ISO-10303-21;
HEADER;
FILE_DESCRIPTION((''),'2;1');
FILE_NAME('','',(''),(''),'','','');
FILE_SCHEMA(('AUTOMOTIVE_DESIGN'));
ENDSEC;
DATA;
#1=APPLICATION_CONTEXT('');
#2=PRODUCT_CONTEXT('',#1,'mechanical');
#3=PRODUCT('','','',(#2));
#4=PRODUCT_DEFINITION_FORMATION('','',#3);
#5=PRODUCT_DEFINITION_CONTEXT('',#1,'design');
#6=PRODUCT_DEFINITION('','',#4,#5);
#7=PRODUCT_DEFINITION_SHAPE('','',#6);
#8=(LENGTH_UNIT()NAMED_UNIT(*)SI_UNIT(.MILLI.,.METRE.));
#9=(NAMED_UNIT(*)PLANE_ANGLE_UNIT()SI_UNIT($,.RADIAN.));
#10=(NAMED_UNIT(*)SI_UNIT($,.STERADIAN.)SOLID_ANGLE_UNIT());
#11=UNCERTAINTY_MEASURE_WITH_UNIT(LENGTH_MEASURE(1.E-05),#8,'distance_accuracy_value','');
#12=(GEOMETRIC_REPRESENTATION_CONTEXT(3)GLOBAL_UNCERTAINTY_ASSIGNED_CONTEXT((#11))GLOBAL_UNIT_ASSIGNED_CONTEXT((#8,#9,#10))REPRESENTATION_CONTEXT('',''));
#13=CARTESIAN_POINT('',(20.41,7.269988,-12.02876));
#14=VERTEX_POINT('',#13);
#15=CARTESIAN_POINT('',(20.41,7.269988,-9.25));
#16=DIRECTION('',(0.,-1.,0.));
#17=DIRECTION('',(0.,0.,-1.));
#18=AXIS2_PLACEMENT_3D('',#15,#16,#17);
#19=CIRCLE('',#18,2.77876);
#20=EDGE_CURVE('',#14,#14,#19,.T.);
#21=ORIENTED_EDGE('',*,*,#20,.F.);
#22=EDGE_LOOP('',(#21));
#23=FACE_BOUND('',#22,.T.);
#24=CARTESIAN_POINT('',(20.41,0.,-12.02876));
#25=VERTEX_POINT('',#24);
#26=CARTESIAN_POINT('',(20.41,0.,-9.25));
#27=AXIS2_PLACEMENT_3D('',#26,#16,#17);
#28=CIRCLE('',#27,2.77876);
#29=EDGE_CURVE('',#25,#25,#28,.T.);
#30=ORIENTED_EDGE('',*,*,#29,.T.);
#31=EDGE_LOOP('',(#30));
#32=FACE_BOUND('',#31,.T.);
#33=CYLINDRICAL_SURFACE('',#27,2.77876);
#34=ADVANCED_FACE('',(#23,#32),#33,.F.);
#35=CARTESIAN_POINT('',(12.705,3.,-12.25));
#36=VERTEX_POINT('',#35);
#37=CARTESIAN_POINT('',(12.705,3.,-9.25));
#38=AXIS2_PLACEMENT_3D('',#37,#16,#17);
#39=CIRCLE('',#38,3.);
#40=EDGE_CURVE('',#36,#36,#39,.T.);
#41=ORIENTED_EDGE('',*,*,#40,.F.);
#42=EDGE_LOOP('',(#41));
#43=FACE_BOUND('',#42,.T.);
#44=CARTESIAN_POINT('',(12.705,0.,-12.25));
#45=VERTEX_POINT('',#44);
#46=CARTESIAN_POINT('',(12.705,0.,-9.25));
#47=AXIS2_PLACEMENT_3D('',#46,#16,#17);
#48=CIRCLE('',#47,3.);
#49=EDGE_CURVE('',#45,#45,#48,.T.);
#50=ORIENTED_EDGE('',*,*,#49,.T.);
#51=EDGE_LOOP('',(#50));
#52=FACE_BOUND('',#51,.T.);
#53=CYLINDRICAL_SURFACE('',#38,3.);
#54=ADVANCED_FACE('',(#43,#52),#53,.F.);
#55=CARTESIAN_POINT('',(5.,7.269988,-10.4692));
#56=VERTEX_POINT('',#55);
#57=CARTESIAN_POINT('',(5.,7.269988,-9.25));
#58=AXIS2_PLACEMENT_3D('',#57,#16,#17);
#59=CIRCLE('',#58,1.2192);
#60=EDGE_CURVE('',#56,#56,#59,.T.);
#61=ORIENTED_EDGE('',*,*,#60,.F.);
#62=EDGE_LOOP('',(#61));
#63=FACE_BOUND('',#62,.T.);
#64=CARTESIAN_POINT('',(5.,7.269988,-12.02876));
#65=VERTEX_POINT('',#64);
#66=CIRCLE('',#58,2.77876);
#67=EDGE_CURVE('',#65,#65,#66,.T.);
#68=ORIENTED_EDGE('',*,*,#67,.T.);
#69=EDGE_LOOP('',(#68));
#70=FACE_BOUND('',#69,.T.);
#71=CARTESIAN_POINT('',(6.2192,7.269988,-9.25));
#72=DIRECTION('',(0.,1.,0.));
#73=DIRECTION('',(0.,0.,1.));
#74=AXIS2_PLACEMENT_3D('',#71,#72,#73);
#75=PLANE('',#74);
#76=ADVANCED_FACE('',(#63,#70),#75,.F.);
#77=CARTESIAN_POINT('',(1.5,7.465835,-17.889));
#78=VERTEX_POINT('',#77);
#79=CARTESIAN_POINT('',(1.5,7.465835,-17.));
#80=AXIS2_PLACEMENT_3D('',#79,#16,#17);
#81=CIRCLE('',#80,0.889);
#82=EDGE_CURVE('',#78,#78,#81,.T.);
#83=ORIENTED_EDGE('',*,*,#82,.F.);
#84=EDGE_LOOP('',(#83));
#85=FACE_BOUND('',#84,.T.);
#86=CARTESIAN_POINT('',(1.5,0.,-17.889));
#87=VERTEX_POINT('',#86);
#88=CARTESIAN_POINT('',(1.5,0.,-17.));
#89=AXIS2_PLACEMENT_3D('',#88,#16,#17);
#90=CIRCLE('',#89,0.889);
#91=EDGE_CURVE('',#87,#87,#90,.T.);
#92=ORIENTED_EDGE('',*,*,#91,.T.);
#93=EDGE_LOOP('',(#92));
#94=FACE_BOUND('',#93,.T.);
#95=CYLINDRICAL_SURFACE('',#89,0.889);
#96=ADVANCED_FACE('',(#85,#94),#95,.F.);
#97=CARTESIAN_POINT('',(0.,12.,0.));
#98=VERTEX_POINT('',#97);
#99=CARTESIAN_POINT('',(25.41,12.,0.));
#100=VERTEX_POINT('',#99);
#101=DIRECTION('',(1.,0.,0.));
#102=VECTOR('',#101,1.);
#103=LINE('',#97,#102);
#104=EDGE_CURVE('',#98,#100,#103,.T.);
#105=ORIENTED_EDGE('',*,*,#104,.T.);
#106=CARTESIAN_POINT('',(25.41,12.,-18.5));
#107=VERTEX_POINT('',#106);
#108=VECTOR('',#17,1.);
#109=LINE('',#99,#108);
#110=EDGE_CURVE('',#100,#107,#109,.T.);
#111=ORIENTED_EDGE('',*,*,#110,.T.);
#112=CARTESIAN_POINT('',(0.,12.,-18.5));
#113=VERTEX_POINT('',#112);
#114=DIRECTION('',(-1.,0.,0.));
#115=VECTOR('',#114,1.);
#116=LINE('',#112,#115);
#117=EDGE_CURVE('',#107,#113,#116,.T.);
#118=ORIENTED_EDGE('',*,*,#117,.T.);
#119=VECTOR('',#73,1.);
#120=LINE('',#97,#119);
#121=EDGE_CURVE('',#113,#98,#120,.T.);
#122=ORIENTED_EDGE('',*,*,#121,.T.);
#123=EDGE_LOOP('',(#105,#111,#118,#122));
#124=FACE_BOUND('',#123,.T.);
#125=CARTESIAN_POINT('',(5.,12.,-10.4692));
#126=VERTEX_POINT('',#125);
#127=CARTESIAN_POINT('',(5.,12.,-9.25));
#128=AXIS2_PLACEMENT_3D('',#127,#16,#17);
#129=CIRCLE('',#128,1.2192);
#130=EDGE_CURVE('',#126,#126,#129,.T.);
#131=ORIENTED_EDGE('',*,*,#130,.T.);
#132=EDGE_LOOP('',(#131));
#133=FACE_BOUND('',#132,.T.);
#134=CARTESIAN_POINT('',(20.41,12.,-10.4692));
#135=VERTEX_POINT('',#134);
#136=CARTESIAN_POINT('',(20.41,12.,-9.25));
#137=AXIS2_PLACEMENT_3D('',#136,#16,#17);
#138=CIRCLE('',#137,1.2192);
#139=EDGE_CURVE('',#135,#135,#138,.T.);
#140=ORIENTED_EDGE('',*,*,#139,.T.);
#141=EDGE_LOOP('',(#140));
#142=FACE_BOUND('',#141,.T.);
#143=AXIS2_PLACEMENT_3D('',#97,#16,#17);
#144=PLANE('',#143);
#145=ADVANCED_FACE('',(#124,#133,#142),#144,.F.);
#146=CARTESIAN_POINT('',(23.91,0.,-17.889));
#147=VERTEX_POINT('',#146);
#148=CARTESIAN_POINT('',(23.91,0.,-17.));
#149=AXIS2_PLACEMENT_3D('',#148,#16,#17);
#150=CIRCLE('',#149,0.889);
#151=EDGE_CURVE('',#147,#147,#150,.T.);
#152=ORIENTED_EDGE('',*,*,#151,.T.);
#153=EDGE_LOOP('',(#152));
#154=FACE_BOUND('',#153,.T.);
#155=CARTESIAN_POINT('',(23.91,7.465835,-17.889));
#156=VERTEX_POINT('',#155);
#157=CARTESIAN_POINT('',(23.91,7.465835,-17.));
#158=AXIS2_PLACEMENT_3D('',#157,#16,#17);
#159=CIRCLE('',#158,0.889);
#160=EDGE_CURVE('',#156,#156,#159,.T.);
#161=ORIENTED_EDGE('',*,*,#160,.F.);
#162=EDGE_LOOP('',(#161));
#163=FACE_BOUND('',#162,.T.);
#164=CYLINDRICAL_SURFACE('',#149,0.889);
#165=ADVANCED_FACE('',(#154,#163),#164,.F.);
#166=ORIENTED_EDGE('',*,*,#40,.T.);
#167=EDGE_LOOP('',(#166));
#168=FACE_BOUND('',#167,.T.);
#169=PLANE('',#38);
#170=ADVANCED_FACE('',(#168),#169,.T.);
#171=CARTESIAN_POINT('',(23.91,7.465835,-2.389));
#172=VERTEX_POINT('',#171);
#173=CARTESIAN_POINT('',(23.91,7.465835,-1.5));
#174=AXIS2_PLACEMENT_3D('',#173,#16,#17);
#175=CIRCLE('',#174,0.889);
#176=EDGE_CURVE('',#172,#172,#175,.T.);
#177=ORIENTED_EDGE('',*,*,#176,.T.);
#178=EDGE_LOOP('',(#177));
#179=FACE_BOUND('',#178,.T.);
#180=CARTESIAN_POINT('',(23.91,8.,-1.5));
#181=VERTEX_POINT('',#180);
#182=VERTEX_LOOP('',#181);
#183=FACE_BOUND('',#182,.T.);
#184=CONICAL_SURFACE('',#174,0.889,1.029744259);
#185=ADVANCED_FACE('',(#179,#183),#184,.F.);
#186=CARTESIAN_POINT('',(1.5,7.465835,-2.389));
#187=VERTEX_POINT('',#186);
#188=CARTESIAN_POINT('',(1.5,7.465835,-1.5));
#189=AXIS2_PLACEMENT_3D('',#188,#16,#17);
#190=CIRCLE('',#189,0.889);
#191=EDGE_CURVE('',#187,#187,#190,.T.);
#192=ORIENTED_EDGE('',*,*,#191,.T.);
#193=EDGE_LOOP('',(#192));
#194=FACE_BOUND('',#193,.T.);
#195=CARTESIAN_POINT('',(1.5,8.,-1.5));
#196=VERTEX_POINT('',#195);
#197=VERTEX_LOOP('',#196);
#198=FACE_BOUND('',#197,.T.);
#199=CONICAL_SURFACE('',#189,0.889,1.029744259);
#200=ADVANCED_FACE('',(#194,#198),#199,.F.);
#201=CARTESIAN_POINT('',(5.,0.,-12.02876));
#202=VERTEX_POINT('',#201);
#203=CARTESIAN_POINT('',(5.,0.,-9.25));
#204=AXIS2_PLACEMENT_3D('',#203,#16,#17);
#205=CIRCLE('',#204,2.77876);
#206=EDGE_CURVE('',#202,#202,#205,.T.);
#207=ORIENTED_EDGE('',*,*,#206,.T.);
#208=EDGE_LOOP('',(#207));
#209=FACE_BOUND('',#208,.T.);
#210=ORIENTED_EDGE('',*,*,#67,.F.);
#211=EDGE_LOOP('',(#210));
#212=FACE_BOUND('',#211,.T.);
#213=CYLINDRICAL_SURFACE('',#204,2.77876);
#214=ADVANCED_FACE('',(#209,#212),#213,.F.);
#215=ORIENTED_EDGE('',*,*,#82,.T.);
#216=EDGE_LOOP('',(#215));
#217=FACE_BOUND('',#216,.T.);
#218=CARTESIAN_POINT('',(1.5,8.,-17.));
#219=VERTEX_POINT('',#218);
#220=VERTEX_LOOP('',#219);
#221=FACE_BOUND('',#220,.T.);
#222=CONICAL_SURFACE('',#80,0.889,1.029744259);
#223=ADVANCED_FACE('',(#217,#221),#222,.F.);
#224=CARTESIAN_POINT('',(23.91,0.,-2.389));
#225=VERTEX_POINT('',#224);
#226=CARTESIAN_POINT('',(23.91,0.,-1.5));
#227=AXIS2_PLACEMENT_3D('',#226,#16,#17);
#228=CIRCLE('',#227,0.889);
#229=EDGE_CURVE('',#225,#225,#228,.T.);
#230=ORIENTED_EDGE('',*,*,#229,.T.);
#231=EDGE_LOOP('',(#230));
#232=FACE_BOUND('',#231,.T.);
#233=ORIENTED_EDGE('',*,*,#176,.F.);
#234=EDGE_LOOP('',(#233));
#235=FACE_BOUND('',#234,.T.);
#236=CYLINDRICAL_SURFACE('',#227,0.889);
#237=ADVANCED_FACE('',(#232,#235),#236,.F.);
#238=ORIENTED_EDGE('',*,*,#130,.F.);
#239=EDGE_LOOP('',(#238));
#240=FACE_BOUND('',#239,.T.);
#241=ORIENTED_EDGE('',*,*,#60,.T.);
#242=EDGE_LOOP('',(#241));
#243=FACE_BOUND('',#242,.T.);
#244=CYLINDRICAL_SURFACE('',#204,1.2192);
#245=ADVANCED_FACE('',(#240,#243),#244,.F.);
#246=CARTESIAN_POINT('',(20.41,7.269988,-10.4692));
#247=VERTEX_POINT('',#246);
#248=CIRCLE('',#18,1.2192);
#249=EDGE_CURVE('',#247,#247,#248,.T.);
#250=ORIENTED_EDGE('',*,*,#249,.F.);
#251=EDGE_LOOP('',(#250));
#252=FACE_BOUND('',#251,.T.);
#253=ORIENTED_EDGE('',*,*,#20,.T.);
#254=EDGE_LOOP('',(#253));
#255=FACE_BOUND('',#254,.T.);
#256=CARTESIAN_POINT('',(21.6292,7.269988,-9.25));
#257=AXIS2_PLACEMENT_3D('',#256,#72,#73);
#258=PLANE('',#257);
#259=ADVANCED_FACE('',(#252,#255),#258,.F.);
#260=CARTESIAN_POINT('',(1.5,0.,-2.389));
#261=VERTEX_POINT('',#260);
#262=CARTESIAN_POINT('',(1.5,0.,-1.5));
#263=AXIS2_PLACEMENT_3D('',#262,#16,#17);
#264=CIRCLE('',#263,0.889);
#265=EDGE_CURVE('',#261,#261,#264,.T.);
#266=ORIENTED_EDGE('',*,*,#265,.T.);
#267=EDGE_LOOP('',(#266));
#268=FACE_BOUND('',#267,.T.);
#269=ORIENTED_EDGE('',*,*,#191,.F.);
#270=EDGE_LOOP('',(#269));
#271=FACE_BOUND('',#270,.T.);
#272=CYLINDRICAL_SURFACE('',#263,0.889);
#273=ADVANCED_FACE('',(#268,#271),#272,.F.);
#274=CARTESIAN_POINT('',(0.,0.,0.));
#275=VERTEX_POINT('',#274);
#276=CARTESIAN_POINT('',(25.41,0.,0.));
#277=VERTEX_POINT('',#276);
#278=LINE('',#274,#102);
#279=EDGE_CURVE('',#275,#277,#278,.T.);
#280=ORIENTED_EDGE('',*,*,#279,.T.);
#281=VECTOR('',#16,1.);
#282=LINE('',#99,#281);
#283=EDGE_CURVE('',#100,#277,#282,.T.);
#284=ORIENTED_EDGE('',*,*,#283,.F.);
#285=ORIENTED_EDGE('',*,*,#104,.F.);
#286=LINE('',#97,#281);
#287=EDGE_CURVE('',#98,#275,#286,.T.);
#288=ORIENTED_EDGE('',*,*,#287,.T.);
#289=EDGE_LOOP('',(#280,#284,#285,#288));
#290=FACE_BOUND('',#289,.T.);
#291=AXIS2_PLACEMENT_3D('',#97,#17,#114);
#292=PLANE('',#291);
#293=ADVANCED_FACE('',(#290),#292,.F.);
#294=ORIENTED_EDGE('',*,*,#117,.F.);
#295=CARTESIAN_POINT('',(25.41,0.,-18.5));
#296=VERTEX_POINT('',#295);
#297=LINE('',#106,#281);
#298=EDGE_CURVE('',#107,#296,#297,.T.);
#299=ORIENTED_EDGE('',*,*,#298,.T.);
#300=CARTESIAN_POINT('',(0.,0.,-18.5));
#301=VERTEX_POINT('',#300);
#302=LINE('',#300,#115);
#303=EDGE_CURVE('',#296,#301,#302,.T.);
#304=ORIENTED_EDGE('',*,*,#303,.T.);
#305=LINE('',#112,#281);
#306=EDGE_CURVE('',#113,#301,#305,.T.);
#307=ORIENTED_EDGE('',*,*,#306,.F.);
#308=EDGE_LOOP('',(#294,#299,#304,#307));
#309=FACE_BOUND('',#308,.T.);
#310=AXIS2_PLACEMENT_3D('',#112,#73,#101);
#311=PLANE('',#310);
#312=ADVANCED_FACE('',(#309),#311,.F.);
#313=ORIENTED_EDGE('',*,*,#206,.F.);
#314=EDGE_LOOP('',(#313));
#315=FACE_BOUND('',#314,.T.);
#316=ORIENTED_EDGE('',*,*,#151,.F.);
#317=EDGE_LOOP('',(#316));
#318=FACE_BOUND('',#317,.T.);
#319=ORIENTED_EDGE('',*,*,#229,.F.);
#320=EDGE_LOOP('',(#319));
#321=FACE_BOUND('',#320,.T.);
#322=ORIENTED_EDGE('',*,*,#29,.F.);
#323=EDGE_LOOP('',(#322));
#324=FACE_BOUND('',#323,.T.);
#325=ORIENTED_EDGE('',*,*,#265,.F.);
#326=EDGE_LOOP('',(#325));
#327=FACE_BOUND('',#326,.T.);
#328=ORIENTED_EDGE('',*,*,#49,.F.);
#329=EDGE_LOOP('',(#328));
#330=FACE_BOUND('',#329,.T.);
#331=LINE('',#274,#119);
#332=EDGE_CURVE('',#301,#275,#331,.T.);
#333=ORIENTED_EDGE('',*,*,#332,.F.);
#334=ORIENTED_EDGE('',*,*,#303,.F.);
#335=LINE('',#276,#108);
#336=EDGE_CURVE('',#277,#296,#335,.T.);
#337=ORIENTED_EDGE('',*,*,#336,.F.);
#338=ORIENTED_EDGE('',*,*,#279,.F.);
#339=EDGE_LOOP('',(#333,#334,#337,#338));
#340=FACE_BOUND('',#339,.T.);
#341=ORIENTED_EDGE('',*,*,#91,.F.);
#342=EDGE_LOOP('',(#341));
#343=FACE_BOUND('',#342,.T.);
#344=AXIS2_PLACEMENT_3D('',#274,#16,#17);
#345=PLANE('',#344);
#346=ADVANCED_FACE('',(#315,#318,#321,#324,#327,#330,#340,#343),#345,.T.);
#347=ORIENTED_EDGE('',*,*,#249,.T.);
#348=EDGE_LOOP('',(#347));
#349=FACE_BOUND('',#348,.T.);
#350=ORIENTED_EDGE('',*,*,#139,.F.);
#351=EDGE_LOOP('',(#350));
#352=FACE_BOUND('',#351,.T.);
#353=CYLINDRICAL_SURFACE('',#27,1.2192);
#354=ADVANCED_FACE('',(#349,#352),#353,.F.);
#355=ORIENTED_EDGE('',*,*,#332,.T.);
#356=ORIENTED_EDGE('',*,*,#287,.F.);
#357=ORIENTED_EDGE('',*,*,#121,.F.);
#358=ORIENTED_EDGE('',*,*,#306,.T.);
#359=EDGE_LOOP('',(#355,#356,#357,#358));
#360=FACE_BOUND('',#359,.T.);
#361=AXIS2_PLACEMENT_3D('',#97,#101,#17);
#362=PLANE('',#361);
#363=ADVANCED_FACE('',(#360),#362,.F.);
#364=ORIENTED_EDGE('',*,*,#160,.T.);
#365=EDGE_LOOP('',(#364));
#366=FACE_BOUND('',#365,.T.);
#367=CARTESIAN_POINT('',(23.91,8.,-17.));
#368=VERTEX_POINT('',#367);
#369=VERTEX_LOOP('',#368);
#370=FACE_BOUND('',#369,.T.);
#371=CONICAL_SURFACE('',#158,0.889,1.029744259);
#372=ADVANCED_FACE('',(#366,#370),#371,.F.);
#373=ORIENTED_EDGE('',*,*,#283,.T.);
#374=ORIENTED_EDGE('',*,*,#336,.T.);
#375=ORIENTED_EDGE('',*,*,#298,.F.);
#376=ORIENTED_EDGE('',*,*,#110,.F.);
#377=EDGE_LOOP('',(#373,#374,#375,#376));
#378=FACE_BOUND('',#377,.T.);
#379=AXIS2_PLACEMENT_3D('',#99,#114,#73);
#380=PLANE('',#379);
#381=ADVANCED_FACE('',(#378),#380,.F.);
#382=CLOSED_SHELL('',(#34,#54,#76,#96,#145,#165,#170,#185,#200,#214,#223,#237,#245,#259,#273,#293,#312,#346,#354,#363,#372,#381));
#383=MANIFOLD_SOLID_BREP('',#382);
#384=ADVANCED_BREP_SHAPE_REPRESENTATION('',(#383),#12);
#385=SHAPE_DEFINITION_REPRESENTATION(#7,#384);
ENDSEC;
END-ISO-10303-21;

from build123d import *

# Parameters (mm, degrees)
SKETCH1_W                                           = 25.41
SKETCH1_H                                           = 18.5
BOSS_EXTRUDE1_DEPTH                                 = 12
F_2_56_TAPPED_HOLE1_D                               = 1.778
F_2_56_TAPPED_HOLE1_DEPTH                           = 7.46583491
F_2_56_TAPPED_HOLE1_TIP                             = 0.53416509
SKETCH5_R                                           = 3
CUT_EXTRUDE1_DEPTH                                  = 3
CBORE_FOR_2_BINDING_HEAD_MACHINE_SCREW2_D           = 2.4384
CBORE_FOR_2_BINDING_HEAD_MACHINE_SCREW2_CBORE_D     = 5.55752
CBORE_FOR_2_BINDING_HEAD_MACHINE_SCREW2_CBORE_DEPTH = 7.269988


with BuildPart() as part:
    # Sketch1 → Boss-Extrude1 (new body)
    with BuildSketch(Plane(origin=(0, 0, 0), x_dir=(1, 0, 0), z_dir=(0, 1, 0))):
        with Locations((12.705, 9.25)):
            Rectangle(SKETCH1_W, SKETCH1_H)
    extrude(amount=BOSS_EXTRUDE1_DEPTH)

    # #2-56 Tapped Hole1
    with Locations(Plane(origin=(0, 0, 0), x_dir=(-1, 0, 0), z_dir=(0, -1, 0))):
        with Locations((-23.91, 17), (-23.91, 1.5), (-1.5, 1.5), (-1.5, 17)):
            Hole(F_2_56_TAPPED_HOLE1_D / 2, depth=F_2_56_TAPPED_HOLE1_DEPTH)
            with Locations((0, 0, -(F_2_56_TAPPED_HOLE1_DEPTH + F_2_56_TAPPED_HOLE1_TIP / 2))):  # 118° drill point
                Cone(0, F_2_56_TAPPED_HOLE1_D / 2, F_2_56_TAPPED_HOLE1_TIP, mode=Mode.SUBTRACT)

    # Sketch5 → Cut-Extrude1 (cut)
    with BuildSketch(Plane.XZ):
        with Locations(Location((12.705, -9.25, 0), (0, 0, 270))):
            Circle(SKETCH5_R)
    extrude(amount=-CUT_EXTRUDE1_DEPTH, mode=Mode.SUBTRACT)

    # CBORE for #2 Binding Head Machine Screw2 (through all)
    with Locations(Plane(origin=(0, 0, 0), x_dir=(-1, 0, 0), z_dir=(0, -1, 0))):
        with Locations((-20.41, 9.25), (-5, 9.25)):
            CounterBoreHole(CBORE_FOR_2_BINDING_HEAD_MACHINE_SCREW2_D / 2, CBORE_FOR_2_BINDING_HEAD_MACHINE_SCREW2_CBORE_D / 2, CBORE_FOR_2_BINDING_HEAD_MACHINE_SCREW2_CBORE_DEPTH)


solid = part.part
